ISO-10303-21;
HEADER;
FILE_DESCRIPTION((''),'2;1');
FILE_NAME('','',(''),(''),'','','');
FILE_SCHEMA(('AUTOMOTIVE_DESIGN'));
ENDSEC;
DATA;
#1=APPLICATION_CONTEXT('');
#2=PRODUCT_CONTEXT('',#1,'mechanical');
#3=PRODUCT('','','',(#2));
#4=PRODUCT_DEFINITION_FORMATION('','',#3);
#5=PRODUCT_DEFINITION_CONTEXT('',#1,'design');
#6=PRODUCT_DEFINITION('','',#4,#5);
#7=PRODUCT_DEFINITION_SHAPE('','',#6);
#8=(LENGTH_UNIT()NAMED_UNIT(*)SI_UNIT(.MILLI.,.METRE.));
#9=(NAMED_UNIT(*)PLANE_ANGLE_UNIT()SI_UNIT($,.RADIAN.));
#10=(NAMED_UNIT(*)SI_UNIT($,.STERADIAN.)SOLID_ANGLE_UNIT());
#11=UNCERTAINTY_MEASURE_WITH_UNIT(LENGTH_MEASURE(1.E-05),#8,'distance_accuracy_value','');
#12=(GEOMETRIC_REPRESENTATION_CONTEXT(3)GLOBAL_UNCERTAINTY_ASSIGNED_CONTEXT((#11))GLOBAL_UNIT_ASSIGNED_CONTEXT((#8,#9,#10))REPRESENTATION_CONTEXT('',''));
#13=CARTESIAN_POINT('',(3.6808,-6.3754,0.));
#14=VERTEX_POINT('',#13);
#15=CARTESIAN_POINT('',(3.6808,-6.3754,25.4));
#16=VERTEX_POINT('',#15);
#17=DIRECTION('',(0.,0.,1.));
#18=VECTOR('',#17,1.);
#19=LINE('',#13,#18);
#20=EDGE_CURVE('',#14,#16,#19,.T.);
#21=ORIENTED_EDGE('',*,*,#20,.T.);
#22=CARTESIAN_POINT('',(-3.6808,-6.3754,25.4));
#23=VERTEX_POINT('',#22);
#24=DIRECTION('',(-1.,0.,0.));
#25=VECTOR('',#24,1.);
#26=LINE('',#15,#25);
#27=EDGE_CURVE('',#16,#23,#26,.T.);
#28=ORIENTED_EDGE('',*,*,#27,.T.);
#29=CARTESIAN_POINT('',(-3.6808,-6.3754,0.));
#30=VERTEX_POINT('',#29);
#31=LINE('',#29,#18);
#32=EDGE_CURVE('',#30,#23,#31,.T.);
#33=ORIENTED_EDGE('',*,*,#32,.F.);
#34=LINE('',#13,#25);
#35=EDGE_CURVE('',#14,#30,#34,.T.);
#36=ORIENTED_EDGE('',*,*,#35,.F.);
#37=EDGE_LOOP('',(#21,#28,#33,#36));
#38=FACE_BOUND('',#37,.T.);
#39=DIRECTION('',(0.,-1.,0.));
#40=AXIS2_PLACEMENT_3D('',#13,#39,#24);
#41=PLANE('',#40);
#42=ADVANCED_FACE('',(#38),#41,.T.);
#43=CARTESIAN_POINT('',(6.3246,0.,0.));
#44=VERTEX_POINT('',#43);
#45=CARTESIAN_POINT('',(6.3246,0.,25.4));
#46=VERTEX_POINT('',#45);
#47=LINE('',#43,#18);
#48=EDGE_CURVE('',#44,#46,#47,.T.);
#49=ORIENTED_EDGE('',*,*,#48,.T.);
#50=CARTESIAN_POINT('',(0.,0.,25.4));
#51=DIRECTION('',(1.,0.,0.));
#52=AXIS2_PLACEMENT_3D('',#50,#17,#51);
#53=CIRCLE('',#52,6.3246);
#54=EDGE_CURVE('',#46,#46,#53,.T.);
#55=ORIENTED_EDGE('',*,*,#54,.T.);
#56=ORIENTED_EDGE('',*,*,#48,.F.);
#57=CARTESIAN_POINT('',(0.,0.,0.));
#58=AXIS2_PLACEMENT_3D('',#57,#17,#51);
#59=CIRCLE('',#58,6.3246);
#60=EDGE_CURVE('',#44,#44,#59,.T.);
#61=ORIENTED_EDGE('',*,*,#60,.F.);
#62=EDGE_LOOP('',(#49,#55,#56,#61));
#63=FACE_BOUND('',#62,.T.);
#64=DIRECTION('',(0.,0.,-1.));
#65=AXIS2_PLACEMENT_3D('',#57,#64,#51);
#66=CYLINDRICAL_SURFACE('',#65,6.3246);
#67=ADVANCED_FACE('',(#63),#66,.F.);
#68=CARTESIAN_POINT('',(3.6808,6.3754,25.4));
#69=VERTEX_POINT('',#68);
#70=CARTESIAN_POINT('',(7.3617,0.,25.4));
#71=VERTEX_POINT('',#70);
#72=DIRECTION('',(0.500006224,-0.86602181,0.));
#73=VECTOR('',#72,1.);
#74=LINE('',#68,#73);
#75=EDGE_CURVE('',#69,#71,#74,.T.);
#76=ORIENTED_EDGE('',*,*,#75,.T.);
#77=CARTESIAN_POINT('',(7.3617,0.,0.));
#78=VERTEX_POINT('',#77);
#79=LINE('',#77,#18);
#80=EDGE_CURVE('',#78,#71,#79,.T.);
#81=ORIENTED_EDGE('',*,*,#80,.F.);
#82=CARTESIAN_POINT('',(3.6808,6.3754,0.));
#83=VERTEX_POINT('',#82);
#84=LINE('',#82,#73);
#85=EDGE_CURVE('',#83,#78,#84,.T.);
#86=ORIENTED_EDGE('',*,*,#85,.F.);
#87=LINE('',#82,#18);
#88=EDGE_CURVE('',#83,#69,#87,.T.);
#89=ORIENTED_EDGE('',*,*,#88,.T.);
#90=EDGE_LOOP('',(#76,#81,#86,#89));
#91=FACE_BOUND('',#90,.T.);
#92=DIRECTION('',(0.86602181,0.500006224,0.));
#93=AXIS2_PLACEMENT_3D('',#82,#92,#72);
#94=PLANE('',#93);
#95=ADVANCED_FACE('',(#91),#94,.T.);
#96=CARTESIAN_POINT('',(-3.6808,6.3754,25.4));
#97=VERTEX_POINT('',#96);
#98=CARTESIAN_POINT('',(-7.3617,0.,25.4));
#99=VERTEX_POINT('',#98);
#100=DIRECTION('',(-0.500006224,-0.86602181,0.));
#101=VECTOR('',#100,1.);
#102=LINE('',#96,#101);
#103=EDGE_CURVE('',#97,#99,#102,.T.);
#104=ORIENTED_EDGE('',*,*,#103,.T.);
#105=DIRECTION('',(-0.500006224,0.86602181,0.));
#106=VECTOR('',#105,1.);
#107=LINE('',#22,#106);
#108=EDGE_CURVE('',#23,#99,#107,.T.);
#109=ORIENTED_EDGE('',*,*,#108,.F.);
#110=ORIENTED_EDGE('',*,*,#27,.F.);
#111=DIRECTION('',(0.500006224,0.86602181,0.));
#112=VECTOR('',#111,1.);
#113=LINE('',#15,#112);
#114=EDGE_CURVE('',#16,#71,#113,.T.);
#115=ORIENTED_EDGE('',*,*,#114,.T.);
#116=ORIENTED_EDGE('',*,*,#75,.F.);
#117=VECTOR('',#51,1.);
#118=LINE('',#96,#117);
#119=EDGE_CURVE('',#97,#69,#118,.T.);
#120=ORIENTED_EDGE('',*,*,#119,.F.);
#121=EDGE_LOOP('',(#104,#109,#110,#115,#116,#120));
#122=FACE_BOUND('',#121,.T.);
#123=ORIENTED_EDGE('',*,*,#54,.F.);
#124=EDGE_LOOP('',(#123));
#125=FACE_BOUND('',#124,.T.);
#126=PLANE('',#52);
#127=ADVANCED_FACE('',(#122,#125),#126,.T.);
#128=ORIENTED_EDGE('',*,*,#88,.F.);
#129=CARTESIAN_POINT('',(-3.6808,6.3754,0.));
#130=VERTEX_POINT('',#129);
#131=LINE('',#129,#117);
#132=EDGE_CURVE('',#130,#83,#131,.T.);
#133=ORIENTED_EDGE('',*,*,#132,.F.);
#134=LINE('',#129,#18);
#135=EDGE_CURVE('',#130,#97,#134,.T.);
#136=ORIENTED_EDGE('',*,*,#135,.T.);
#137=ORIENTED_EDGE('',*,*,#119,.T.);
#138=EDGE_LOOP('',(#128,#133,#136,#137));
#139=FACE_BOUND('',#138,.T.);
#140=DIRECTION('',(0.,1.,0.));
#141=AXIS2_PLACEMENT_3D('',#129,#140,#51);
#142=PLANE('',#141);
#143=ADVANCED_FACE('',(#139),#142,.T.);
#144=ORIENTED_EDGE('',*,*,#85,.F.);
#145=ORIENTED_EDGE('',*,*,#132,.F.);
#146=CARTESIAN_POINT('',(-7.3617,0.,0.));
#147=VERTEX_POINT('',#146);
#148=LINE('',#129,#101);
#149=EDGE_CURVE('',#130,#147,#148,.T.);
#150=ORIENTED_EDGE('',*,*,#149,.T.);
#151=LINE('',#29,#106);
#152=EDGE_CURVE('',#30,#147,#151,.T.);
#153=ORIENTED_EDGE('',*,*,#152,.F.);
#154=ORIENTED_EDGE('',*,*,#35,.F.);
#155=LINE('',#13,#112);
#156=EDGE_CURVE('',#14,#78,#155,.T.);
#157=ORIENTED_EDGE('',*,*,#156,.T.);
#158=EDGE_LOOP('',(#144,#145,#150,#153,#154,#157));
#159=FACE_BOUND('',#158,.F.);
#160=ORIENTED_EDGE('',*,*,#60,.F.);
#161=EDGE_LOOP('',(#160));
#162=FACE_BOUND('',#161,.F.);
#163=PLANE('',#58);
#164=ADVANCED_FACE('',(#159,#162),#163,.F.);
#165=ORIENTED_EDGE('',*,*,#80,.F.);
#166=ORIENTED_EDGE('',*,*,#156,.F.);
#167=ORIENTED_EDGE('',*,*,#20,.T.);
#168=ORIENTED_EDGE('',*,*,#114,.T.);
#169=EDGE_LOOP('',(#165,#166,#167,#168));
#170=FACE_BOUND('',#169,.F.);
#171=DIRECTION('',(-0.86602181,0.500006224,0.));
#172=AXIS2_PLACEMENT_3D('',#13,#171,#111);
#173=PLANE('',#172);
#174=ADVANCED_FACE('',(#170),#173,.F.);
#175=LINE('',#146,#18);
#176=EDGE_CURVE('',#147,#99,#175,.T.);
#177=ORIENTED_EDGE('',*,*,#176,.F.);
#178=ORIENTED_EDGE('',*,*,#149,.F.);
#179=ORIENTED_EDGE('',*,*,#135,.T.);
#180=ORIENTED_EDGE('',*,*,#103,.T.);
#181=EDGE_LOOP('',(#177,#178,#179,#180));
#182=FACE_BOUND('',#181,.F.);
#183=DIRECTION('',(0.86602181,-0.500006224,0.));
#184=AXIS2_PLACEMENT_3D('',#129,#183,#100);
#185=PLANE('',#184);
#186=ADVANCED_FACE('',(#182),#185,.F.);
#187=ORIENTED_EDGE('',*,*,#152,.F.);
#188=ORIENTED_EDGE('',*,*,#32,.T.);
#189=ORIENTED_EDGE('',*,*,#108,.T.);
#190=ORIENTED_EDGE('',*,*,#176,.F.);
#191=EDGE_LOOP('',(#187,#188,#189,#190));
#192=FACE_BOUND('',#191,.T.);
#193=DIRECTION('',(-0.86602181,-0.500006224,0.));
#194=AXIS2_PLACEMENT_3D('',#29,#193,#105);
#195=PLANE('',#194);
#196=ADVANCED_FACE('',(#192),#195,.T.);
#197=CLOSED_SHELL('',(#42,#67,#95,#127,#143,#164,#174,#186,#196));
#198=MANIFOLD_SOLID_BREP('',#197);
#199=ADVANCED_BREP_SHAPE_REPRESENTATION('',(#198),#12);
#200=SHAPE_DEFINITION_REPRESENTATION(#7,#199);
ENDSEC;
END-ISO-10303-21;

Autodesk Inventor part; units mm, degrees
ref_plane "YZ Plane" through (0, 0, 0) normal (1, 0, 0) x (0, 1, 0)
ref_plane "XZ Plane" through (0, 0, 0) normal (0, 1, 0) x (-1, 0, 0)
ref_plane "XY Plane" through (0, 0, 0) normal (0, 0, 1) x (1, 0, 0)
sketch "Sketch1" plane through (0, 0, 0) normal (0, 0, 1) x (1, 0, 0)
  line L0 (-3.6808, 6.3754) -> (3.6808, 6.3754)
  line L1 (3.6808, 6.3754) -> (7.3617, 0)
  line L2 (3.6808, -6.3754) -> (-3.6808, -6.3754)
  line L3 (-3.6808, -6.3754) -> (-7.3617, 0)
  line L4 (-3.6808, 6.3754) -> (-7.3617, 0)
  line L5 (3.6808, -6.3754) -> (7.3617, 0)
  circle A0 centre (0, 0) radius 6.3246
  dimension "d0" = 12.6492
extrude "Extrusion1" add sketch "Sketch1" along normal blind 25.4
properties part number "2AM-17-P-1202 - hex to tube adapter" material "ABS Plastic"
